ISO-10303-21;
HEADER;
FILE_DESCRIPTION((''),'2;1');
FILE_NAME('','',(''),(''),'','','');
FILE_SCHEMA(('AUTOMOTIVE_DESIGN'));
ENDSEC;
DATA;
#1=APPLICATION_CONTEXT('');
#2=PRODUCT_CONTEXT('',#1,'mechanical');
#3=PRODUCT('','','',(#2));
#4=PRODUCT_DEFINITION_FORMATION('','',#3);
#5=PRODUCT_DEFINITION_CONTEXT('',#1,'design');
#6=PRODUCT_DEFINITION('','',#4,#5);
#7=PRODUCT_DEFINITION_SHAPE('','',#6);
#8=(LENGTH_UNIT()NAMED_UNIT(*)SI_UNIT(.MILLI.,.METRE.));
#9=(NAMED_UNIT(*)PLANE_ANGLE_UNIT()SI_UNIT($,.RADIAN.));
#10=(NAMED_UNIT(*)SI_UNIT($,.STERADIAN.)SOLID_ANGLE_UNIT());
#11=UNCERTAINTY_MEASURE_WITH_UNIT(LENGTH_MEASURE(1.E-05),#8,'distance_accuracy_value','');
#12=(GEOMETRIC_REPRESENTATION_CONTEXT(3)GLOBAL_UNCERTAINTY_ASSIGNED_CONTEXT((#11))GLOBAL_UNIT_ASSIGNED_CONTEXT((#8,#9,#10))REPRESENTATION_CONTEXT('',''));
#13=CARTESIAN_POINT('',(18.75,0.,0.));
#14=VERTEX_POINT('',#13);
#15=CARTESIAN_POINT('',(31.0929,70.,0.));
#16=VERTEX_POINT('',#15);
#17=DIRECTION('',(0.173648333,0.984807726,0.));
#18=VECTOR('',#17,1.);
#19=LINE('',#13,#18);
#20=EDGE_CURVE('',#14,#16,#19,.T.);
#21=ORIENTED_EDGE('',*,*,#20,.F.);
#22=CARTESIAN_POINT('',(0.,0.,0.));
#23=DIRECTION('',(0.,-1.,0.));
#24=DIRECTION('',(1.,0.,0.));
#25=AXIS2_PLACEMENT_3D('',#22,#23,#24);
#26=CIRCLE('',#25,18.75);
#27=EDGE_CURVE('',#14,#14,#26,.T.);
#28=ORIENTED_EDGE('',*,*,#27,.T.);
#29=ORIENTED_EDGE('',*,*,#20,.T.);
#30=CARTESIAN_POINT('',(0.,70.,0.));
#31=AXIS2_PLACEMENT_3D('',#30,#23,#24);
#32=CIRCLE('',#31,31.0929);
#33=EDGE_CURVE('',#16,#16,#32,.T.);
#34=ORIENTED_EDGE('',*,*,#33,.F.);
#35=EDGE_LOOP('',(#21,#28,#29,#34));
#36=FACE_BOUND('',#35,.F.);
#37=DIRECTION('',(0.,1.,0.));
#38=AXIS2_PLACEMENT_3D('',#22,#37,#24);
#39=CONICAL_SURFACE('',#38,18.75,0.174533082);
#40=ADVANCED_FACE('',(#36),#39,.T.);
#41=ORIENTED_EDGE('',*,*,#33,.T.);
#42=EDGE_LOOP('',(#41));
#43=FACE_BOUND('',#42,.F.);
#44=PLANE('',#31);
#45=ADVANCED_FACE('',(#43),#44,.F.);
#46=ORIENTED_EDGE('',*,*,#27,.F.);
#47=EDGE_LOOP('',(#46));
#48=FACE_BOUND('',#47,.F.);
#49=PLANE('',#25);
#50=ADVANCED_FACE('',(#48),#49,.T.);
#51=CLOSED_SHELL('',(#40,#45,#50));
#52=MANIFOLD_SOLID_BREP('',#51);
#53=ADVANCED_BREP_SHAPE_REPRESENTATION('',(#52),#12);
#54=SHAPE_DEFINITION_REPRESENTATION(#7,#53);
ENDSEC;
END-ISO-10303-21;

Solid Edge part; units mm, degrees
sketch "Sketch1" plane through (0, 0, 0) normal (0, 0, 1) x (1, 0, 0)
  line L0 (18.75, 0) -> (31.0929, 70)
  line L1 (31.0929, 70) -> (0, 70)
  line L2 (0, 70) -> (0, 0)
  line L3 (0, 0) -> (18.75, 0)
revolve "RevolvedProtrusion1" add sketch "Sketch1" angle 360 about axis through (0, 70, 0) along (0, -1, 0)
properties material "Agua"
